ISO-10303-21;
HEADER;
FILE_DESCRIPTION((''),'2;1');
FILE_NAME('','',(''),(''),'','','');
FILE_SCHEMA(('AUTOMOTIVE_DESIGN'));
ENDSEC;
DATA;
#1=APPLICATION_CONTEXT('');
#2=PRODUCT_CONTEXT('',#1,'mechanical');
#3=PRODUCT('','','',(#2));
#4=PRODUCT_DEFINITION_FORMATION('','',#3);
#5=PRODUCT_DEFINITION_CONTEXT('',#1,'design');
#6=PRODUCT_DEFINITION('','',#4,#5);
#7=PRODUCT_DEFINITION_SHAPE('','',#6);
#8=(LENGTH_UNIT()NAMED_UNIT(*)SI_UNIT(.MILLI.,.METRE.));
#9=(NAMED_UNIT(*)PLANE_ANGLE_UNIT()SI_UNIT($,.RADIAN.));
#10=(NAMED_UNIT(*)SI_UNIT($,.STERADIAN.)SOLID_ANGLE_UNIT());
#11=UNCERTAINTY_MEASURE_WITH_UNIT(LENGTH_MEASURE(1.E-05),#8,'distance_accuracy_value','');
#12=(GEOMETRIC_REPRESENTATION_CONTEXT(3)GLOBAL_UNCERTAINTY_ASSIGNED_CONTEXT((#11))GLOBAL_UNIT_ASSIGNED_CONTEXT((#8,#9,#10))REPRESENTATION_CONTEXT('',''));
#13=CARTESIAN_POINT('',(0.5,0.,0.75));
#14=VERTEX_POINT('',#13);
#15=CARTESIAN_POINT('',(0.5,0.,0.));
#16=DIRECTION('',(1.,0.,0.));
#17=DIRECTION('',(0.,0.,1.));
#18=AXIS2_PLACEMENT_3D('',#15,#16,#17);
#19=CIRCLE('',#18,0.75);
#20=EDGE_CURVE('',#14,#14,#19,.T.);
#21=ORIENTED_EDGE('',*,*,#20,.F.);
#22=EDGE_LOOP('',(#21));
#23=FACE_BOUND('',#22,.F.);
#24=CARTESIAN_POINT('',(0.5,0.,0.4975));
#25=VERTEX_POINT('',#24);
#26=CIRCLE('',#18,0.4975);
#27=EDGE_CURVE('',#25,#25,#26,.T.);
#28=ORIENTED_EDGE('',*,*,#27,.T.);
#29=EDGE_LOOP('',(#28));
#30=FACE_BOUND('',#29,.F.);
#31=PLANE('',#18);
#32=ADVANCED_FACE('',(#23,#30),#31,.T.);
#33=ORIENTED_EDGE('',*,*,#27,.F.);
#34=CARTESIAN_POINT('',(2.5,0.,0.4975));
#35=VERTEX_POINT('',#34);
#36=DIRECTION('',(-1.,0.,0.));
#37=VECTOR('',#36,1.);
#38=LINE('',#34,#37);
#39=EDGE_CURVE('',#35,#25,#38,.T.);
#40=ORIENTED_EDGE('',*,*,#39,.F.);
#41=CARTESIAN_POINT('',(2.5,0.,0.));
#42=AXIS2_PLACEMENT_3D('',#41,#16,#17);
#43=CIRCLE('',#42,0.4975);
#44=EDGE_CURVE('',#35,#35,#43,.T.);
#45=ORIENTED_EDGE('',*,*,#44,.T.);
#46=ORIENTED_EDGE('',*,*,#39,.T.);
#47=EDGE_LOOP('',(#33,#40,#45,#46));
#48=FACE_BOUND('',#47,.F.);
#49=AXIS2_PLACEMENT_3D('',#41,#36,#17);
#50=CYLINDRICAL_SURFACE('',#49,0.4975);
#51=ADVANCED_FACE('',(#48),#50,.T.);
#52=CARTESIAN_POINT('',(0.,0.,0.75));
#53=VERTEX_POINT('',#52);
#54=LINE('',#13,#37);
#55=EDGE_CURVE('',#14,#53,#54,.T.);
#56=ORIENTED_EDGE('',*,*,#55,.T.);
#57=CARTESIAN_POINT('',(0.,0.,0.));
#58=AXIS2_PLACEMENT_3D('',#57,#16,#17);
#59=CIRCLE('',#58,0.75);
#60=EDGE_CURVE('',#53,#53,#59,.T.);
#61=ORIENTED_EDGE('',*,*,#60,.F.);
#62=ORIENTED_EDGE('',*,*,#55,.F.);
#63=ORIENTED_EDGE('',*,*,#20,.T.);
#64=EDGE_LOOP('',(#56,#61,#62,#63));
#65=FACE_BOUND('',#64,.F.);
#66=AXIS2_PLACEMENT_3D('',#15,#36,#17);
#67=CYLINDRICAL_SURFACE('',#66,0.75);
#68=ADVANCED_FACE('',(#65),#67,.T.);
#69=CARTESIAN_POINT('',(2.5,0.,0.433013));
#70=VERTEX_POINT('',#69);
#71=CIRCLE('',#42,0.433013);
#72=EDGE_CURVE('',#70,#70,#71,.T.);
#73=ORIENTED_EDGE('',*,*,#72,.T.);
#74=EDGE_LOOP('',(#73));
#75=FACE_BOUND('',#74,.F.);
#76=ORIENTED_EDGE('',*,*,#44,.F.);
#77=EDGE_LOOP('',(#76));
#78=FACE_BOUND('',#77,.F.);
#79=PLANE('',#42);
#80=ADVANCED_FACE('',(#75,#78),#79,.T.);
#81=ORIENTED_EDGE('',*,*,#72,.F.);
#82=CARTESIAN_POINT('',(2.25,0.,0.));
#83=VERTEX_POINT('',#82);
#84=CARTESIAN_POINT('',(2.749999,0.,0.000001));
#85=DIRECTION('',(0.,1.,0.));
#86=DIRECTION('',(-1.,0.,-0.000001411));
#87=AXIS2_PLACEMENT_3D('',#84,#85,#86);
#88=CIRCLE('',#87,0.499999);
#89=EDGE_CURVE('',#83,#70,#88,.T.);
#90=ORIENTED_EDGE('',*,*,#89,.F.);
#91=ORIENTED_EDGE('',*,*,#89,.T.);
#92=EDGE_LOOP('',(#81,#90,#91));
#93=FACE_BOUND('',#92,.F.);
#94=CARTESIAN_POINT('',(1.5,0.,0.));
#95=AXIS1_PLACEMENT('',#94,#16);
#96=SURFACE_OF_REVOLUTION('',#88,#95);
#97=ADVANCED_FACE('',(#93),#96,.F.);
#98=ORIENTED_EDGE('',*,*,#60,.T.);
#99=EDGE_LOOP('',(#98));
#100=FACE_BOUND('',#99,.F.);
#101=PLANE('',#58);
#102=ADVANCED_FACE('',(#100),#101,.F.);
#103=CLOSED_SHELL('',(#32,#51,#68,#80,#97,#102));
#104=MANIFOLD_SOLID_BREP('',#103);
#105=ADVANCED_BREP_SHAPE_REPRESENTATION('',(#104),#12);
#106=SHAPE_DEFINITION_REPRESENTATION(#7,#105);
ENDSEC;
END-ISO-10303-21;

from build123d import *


with BuildPart() as f1:
    # F0 (on Front) → F1 (revolve)
    with BuildSketch(Plane.XZ):
        Polygon((0, 0.75), (0, 0), (0.5, 0), (0.5, 0.4975), (0.5, 0.75), align=None)
        with BuildLine():
            Line((0.5, 0.4975), (0.5, 0))
            Line((0.5, 0), (2.25, 0))
            ThreePointArc((2.25, 0), (2.316987, 0.25), (2.5, 0.433013))
            Line((2.5, 0.433013), (2.5, 0.4975))
            Line((2.5, 0.4975), (0.5, 0.4975))
        make_face()
    revolve(axis=Axis((1.5, 0, 0), (1, 0, 0)))


solid = f1.part
